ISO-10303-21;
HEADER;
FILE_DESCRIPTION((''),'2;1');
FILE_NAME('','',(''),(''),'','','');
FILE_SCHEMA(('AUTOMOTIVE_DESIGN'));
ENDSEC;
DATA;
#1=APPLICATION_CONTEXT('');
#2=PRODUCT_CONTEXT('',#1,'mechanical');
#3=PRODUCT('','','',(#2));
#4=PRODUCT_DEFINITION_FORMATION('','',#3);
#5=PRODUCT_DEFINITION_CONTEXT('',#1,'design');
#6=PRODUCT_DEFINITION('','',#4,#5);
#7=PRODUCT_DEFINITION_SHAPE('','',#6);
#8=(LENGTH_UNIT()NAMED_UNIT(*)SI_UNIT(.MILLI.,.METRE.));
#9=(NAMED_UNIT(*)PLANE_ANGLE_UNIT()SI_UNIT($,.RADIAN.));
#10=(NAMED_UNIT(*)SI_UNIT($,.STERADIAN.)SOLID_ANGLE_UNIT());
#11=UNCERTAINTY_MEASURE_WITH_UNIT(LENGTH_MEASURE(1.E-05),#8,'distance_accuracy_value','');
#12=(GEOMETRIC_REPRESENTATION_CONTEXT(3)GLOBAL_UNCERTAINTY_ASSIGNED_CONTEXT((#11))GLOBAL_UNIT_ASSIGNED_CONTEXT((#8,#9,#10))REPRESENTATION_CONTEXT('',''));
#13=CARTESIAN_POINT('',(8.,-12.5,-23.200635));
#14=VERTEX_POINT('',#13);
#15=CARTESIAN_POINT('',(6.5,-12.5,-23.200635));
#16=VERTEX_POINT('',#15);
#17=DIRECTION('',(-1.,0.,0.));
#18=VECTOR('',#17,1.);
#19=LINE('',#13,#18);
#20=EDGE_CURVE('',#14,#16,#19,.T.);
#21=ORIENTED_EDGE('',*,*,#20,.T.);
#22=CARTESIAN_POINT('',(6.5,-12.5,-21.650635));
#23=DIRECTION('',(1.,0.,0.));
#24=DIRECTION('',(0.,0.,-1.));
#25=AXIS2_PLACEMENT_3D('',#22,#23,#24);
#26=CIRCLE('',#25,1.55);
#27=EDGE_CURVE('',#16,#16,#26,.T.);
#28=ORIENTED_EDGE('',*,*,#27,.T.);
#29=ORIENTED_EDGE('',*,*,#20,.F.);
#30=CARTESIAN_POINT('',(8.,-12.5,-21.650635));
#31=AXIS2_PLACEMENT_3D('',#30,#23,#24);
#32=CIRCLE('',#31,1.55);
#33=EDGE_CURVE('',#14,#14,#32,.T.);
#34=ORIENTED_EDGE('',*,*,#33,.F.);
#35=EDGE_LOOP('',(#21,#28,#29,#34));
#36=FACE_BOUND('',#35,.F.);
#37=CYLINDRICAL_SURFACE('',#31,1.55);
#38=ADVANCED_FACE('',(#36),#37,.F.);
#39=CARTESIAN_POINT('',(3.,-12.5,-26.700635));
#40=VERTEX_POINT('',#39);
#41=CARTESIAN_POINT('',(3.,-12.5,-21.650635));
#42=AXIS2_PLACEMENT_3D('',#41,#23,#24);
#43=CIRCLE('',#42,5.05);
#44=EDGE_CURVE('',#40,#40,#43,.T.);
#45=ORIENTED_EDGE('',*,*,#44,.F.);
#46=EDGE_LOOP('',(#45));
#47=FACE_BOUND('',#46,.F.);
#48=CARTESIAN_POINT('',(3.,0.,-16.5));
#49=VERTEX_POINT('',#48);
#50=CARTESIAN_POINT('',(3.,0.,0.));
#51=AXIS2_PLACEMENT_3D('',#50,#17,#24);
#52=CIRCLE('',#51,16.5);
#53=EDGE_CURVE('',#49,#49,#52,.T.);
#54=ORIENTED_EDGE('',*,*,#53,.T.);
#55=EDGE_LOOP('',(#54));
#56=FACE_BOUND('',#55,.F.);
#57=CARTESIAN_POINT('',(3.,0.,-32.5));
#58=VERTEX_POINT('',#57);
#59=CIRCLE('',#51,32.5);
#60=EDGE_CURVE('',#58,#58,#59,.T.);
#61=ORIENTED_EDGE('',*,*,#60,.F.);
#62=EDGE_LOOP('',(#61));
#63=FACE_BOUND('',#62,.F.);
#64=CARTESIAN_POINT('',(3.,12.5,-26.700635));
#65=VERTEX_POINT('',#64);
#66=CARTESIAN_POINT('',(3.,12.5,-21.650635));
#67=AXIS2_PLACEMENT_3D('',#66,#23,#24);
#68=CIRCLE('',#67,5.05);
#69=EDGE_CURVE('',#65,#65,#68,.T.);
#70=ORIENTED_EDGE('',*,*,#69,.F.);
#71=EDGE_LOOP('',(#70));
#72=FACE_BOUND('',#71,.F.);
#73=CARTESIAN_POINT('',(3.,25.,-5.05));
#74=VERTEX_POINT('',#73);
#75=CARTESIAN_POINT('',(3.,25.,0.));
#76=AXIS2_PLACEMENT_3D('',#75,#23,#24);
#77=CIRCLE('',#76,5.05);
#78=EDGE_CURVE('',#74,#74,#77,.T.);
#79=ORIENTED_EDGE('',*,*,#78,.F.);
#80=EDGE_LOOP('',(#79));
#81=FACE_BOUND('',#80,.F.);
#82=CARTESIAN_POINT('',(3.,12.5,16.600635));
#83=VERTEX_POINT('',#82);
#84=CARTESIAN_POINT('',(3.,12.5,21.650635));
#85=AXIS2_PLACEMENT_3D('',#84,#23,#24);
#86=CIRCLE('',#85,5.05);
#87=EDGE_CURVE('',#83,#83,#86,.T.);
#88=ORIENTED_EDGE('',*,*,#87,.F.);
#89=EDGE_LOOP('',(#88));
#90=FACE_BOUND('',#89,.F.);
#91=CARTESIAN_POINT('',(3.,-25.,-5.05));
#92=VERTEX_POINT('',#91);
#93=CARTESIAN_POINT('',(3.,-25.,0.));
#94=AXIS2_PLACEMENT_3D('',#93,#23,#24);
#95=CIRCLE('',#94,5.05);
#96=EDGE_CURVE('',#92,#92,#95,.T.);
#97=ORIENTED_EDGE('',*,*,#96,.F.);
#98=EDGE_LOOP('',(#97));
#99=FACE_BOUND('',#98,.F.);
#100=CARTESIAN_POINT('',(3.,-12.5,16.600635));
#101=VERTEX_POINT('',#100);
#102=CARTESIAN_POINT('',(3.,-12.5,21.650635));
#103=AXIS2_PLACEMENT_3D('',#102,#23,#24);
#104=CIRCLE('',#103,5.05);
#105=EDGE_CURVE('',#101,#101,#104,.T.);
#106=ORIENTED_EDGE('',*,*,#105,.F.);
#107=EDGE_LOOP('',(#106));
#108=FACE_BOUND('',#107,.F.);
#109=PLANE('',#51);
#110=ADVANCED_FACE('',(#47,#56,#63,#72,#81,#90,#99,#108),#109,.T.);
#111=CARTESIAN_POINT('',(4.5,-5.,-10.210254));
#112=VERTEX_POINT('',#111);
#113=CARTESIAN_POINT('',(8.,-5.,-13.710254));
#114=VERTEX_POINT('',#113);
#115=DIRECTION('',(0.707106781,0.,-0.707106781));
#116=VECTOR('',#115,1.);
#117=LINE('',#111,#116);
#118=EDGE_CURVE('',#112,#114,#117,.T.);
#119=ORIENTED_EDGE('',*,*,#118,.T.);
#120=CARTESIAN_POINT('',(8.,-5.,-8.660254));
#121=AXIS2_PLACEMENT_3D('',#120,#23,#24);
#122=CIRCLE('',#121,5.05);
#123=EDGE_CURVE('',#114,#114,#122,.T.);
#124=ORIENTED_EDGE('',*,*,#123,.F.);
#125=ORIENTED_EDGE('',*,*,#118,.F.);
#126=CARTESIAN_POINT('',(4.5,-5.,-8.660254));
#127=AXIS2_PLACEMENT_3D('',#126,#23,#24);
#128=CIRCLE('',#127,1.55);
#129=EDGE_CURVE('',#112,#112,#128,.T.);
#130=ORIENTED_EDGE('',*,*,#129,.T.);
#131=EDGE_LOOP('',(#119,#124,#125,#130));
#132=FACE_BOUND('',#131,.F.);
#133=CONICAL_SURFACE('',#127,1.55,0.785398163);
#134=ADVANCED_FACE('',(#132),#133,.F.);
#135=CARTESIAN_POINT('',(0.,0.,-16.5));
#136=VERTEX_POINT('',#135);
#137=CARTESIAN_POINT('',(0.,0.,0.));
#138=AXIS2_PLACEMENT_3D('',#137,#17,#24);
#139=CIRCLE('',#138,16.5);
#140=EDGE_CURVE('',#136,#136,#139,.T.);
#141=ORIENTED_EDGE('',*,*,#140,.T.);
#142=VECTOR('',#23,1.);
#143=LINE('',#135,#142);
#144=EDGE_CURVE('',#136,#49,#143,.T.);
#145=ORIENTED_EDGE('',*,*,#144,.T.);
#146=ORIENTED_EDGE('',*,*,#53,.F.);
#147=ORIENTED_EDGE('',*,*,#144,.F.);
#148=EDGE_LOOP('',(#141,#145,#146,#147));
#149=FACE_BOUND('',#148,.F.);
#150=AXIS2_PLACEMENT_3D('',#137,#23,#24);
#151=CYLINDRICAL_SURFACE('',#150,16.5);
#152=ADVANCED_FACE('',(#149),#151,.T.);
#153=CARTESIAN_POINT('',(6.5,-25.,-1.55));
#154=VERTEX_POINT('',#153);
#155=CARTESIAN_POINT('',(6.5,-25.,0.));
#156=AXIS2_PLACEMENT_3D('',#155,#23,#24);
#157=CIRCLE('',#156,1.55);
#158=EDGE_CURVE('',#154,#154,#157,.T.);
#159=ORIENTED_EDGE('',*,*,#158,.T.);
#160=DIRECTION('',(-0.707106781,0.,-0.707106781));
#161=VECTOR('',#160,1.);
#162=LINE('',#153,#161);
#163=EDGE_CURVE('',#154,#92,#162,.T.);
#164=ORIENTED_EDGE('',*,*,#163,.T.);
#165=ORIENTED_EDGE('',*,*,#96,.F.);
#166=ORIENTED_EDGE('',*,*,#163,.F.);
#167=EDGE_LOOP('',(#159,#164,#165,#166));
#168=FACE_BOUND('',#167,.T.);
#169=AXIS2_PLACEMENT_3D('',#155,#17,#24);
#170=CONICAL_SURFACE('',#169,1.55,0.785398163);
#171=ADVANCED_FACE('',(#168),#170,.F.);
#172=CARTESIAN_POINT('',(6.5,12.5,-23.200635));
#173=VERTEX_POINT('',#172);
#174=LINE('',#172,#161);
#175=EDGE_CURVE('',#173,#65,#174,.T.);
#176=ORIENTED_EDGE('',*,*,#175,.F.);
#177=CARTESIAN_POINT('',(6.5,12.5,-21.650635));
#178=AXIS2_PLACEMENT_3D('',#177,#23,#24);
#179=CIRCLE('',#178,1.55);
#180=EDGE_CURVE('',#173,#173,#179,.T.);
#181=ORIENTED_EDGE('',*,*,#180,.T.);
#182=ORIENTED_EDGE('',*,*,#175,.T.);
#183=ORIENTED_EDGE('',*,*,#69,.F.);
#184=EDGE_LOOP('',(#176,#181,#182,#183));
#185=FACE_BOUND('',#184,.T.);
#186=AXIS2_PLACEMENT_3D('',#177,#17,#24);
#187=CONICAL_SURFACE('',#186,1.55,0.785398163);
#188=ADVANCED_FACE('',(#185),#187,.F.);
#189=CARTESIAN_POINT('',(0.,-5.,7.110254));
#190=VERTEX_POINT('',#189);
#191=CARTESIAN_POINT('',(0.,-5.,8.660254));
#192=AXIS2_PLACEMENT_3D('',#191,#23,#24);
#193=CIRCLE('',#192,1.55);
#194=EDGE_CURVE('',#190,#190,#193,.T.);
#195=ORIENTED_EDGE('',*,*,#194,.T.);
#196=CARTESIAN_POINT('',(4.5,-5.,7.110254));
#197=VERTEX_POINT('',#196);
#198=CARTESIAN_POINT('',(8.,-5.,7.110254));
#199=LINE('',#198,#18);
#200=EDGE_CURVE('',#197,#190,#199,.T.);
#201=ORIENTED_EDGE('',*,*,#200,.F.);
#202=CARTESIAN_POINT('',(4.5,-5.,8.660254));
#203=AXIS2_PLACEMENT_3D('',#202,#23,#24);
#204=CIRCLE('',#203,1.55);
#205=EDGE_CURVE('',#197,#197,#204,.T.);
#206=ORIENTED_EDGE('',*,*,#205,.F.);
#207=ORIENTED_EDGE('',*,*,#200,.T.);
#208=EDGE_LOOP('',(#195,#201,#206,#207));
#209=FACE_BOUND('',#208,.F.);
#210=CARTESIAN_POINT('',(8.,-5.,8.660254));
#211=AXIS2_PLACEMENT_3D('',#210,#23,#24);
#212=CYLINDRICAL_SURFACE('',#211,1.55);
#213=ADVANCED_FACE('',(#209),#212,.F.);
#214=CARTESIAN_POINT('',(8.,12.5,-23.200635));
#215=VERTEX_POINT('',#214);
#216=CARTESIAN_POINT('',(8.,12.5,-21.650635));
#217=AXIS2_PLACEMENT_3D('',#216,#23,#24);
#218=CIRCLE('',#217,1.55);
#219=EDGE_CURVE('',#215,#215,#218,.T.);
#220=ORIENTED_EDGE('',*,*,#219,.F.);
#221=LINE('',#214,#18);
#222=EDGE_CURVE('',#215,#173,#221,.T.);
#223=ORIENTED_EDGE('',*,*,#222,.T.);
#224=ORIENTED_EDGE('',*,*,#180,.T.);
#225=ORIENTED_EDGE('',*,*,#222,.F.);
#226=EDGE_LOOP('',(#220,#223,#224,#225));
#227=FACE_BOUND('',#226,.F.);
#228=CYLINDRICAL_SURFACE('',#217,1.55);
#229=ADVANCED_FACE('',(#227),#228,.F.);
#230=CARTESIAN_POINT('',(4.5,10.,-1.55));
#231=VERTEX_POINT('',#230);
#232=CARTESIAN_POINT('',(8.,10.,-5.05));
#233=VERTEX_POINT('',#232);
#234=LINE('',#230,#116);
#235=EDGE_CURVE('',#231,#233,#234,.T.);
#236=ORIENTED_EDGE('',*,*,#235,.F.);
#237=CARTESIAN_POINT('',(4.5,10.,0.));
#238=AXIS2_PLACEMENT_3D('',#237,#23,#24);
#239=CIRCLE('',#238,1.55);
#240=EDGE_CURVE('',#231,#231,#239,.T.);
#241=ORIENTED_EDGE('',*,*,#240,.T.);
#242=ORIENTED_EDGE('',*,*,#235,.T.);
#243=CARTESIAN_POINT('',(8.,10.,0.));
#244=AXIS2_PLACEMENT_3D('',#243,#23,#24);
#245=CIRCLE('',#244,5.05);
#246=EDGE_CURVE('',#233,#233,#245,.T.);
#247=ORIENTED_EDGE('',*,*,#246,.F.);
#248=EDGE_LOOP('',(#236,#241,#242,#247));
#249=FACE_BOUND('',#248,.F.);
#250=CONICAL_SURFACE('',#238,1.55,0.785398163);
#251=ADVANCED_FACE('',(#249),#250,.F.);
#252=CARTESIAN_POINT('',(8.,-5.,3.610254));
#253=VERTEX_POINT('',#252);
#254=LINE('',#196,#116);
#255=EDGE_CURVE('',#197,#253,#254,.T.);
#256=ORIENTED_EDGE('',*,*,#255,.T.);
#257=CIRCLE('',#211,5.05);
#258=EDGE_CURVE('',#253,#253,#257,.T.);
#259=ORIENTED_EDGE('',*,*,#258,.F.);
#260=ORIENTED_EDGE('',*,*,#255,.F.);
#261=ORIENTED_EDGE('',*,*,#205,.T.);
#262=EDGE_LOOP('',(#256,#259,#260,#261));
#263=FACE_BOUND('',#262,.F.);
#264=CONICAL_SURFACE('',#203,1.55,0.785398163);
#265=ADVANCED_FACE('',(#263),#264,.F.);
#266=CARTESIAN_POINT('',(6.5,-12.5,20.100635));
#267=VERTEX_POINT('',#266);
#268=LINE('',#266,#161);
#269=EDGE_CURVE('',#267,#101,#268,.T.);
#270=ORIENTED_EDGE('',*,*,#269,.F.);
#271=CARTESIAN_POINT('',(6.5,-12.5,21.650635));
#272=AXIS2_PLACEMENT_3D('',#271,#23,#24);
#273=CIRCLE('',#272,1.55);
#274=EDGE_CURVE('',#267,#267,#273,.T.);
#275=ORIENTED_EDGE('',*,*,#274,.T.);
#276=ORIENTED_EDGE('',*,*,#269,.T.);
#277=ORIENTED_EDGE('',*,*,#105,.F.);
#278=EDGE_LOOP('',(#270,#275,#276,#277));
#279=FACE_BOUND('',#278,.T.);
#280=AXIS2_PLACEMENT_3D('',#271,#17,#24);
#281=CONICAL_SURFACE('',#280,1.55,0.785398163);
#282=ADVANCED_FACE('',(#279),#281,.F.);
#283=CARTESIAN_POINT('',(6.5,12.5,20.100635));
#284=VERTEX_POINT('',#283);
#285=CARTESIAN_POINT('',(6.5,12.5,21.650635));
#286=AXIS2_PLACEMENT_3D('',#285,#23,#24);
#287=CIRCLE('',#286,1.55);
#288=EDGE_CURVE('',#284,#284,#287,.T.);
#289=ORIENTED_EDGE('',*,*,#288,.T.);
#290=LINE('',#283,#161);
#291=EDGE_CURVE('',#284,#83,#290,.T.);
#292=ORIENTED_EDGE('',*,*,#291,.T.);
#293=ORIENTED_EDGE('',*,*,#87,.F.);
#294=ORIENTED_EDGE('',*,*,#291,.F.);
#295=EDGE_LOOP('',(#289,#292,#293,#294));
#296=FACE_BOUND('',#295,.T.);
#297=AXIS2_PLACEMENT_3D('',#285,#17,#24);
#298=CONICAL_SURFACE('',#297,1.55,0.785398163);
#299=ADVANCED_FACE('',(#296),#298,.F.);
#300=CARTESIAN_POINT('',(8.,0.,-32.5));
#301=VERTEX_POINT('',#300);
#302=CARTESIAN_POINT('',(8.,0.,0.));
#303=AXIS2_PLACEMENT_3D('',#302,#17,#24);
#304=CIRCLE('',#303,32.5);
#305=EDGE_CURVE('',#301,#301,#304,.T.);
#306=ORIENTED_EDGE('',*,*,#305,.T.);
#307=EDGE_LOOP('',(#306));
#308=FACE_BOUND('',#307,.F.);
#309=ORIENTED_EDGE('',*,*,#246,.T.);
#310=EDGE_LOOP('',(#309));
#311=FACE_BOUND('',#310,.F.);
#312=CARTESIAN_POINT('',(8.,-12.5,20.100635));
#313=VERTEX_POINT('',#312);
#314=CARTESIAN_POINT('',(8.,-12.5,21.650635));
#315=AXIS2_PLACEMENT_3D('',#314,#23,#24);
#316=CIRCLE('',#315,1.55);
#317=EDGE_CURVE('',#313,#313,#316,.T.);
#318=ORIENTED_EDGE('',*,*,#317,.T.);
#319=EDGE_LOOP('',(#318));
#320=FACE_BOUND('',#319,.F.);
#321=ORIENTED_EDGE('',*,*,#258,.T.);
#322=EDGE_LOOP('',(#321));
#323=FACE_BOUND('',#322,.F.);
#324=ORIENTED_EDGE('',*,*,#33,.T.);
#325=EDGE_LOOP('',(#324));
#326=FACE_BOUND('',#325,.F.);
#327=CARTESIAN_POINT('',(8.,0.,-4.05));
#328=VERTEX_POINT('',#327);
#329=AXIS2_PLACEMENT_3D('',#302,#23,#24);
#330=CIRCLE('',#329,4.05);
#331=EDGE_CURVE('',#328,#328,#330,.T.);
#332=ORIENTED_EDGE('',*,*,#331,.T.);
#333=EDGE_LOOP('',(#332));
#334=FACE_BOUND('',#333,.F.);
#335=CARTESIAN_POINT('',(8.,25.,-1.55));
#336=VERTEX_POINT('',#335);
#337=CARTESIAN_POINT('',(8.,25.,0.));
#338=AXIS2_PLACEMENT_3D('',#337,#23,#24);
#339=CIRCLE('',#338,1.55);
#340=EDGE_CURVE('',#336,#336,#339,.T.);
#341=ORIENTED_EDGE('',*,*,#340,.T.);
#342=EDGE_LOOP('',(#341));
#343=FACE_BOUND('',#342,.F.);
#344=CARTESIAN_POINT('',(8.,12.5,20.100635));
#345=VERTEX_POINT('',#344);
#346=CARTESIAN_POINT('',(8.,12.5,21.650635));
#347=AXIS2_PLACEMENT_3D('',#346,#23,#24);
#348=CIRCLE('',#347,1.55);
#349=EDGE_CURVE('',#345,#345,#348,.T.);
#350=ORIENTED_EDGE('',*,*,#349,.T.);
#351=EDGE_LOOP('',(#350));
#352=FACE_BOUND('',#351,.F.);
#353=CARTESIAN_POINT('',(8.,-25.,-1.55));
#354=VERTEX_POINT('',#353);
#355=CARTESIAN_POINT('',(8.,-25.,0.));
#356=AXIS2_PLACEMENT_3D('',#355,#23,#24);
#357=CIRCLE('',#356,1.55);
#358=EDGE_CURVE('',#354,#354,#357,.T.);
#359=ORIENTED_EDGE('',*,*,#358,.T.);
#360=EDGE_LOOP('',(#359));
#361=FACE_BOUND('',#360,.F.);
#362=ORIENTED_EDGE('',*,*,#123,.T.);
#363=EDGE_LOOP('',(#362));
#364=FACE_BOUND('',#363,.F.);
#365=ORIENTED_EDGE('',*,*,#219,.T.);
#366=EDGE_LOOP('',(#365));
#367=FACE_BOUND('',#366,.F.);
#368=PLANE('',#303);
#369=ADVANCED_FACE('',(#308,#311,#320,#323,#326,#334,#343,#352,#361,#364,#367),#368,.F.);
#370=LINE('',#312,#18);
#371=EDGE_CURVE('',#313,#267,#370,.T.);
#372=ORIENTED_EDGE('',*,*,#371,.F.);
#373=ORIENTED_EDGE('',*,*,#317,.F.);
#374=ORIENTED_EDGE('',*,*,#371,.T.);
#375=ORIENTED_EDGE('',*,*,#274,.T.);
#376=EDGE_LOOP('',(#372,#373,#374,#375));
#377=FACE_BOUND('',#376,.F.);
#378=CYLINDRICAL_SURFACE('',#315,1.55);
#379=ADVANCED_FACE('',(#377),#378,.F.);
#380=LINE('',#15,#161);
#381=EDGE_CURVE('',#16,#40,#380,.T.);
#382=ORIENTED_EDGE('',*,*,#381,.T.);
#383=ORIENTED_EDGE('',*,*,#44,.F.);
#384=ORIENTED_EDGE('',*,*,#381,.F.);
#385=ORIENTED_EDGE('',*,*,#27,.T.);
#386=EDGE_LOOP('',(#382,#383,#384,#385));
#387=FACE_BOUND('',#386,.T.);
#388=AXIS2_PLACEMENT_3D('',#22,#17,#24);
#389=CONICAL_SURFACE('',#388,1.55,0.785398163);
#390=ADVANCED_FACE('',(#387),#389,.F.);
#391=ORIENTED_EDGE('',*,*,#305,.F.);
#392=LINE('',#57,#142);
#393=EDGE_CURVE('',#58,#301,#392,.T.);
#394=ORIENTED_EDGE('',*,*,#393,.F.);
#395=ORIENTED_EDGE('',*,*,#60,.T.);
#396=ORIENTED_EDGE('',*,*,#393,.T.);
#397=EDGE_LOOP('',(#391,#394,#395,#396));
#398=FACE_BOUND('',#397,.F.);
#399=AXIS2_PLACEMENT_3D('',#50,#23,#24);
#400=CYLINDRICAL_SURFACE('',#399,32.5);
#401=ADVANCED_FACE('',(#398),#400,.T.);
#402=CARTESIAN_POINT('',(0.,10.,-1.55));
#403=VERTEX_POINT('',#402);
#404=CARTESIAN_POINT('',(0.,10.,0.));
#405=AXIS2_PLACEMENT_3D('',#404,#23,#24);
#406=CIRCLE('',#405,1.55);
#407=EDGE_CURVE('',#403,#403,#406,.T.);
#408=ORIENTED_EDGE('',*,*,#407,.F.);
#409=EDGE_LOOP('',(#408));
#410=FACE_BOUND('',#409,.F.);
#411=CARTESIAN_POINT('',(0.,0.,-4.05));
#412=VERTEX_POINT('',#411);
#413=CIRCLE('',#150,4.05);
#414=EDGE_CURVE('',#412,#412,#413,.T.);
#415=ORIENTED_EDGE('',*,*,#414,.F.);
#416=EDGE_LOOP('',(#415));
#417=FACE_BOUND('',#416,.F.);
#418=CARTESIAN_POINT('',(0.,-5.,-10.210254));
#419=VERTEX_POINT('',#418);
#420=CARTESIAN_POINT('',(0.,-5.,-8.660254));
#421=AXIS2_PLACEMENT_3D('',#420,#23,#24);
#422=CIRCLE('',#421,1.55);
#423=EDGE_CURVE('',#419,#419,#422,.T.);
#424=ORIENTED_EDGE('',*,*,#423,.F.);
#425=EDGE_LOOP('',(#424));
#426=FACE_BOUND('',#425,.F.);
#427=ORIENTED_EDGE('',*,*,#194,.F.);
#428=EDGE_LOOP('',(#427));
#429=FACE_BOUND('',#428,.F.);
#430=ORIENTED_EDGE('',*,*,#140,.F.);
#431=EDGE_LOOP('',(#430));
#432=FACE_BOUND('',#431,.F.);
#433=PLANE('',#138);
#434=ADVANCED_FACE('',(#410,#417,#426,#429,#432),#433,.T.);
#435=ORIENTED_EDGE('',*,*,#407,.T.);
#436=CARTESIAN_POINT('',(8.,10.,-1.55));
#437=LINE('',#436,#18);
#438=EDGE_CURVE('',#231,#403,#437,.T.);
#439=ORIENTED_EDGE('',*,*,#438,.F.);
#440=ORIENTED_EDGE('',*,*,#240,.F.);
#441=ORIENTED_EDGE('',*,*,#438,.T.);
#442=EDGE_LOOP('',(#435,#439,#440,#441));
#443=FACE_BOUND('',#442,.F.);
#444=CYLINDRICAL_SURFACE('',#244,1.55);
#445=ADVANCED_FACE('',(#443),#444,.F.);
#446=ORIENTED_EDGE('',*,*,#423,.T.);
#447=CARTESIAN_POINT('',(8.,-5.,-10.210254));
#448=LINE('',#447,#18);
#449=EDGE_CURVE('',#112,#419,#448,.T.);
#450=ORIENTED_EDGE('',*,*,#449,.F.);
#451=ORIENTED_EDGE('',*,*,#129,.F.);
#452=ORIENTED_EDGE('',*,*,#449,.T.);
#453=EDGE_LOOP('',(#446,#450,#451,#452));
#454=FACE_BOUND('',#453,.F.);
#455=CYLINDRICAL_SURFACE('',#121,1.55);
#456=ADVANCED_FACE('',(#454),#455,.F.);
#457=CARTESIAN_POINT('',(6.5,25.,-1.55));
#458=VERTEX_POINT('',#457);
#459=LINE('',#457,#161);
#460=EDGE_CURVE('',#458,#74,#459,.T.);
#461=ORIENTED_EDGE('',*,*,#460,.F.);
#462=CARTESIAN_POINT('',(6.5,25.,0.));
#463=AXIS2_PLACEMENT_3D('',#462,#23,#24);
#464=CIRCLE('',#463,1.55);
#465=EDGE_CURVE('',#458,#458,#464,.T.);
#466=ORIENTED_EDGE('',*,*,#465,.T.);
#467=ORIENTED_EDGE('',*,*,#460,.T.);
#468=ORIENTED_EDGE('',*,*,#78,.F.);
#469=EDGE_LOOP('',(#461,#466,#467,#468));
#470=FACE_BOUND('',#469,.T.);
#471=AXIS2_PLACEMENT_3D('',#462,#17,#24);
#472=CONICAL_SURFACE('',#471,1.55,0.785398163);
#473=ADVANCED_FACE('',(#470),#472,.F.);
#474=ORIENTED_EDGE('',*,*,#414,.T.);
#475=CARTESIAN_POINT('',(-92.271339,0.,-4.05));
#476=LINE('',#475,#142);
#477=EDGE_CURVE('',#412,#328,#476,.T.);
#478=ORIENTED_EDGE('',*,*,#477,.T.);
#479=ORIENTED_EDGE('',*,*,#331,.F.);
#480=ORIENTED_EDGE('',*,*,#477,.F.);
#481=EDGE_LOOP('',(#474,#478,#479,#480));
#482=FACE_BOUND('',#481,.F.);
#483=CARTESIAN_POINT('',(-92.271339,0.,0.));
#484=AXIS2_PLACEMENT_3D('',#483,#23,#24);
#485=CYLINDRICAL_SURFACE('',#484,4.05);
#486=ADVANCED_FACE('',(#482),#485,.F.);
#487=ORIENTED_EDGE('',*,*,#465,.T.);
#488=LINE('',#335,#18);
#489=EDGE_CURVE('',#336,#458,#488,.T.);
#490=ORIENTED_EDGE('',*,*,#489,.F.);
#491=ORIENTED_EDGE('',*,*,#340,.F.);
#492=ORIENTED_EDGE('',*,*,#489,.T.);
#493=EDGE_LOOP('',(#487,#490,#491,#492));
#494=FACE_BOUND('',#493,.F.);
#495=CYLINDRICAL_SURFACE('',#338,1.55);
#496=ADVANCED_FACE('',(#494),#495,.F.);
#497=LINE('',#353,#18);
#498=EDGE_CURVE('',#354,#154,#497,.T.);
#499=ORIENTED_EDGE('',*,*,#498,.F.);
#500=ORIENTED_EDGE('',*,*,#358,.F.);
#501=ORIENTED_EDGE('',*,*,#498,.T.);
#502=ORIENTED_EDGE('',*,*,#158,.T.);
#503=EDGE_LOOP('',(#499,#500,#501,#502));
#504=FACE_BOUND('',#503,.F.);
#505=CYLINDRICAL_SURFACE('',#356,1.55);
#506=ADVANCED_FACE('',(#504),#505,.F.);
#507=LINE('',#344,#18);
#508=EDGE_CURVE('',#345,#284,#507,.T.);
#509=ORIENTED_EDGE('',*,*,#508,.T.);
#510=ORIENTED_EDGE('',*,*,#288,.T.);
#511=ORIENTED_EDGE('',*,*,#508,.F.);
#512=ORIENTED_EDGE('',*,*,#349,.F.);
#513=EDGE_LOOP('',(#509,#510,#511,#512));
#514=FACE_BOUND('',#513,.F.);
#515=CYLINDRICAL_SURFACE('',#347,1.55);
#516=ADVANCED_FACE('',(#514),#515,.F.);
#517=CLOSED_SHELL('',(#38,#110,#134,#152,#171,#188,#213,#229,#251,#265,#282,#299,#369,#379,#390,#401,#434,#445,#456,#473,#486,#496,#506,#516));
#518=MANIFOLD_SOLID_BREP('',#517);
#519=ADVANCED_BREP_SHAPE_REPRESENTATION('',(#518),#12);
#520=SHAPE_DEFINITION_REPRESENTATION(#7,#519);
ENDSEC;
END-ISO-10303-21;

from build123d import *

# Parameters (mm, degrees)
F_8_1_8_1_DURCHMESSER_BOHRUNG1_D = 8.1
SKIZZE4_R                        = 1.55
SCHNITT_LINEAR_AUSTRAGEN1_DEPTH  = 47.652974182
FASE1_SIZE                       = 3.5
SKIZZE5_R                        = 1.55
SCHNITT_LINEAR_AUSTRAGEN2_DEPTH  = 47.652974182
FASE2_SIZE                       = 3.5


with BuildPart() as part:
    # Skizze1 → Rotation1 (revolve)
    with BuildSketch(Plane.XY, mode=Mode.PRIVATE) as rotation1_sk:
        Polygon((0, 0), (0, 16.5), (3, 16.5), (3, 32.5), (8, 32.5), (8, 0), align=None)
    revolve(rotation1_sk.sketch.rotate(Axis((0, 0, 0), (-1, 0, 0)), 90), axis=Axis((0, 0, 0), (-1, 0, 0)))

    # Ø8.1 (8.1) Durchmesser Bohrung1 (through all)
    with Locations(Plane.ZY):
        with Locations((0, 0)):
            Hole(F_8_1_8_1_DURCHMESSER_BOHRUNG1_D / 2)

    # Skizze4 → Schnitt-Linear austragen1 (cut, through all)
    with BuildSketch(Plane(origin=(8, 0, 0), x_dir=(0, 0, -1), z_dir=(1, 0, 0))):
        with Locations((0, 10)):
            Circle(SKIZZE4_R)
        with Locations((8.660254038, -5)):
            Circle(SKIZZE4_R)
        with Locations((-8.660254038, -5)):
            Circle(SKIZZE4_R)
    extrude(amount=-SCHNITT_LINEAR_AUSTRAGEN1_DEPTH, mode=Mode.SUBTRACT)

    # Fase1
    fase1_edges = [part.edges().sort_by_distance(p)[0] for p in [
        (8, 10, 1.55),
        (8, -5, -7.110254038),
        (8, -5, 10.210254038),
    ]]
    chamfer(fase1_edges, length=FASE1_SIZE)

    # Skizze5 → Schnitt-Linear austragen2 (cut, through all)
    with BuildSketch(Plane(origin=(8, 0, 0), x_dir=(0, 0, -1), z_dir=(1, 0, 0))):
        with Locations((0, 25)):
            Circle(SKIZZE5_R)
        with Locations((21.650635095, 12.5)):
            Circle(SKIZZE5_R)
        with Locations((21.650635095, -12.5)):
            Circle(SKIZZE5_R)
        with Locations((0, -25)):
            Circle(SKIZZE5_R)
        with Locations((-21.650635095, -12.5)):
            Circle(SKIZZE5_R)
        with Locations((-21.650635095, 12.5)):
            Circle(SKIZZE5_R)
    extrude(amount=-SCHNITT_LINEAR_AUSTRAGEN2_DEPTH, mode=Mode.SUBTRACT)

    # Fase2
    fase2_edges = [part.edges().sort_by_distance(p)[0] for p in [
        (3, 25, 1.55),
        (3, 12.5, 23.200635095),
        (3, -12.5, 23.200635095),
        (3, -25, 1.55),
        (3, -12.5, -20.100635095),
        (3, 12.5, -20.100635095),
    ]]
    chamfer(fase2_edges, length=FASE2_SIZE)


solid = part.part
